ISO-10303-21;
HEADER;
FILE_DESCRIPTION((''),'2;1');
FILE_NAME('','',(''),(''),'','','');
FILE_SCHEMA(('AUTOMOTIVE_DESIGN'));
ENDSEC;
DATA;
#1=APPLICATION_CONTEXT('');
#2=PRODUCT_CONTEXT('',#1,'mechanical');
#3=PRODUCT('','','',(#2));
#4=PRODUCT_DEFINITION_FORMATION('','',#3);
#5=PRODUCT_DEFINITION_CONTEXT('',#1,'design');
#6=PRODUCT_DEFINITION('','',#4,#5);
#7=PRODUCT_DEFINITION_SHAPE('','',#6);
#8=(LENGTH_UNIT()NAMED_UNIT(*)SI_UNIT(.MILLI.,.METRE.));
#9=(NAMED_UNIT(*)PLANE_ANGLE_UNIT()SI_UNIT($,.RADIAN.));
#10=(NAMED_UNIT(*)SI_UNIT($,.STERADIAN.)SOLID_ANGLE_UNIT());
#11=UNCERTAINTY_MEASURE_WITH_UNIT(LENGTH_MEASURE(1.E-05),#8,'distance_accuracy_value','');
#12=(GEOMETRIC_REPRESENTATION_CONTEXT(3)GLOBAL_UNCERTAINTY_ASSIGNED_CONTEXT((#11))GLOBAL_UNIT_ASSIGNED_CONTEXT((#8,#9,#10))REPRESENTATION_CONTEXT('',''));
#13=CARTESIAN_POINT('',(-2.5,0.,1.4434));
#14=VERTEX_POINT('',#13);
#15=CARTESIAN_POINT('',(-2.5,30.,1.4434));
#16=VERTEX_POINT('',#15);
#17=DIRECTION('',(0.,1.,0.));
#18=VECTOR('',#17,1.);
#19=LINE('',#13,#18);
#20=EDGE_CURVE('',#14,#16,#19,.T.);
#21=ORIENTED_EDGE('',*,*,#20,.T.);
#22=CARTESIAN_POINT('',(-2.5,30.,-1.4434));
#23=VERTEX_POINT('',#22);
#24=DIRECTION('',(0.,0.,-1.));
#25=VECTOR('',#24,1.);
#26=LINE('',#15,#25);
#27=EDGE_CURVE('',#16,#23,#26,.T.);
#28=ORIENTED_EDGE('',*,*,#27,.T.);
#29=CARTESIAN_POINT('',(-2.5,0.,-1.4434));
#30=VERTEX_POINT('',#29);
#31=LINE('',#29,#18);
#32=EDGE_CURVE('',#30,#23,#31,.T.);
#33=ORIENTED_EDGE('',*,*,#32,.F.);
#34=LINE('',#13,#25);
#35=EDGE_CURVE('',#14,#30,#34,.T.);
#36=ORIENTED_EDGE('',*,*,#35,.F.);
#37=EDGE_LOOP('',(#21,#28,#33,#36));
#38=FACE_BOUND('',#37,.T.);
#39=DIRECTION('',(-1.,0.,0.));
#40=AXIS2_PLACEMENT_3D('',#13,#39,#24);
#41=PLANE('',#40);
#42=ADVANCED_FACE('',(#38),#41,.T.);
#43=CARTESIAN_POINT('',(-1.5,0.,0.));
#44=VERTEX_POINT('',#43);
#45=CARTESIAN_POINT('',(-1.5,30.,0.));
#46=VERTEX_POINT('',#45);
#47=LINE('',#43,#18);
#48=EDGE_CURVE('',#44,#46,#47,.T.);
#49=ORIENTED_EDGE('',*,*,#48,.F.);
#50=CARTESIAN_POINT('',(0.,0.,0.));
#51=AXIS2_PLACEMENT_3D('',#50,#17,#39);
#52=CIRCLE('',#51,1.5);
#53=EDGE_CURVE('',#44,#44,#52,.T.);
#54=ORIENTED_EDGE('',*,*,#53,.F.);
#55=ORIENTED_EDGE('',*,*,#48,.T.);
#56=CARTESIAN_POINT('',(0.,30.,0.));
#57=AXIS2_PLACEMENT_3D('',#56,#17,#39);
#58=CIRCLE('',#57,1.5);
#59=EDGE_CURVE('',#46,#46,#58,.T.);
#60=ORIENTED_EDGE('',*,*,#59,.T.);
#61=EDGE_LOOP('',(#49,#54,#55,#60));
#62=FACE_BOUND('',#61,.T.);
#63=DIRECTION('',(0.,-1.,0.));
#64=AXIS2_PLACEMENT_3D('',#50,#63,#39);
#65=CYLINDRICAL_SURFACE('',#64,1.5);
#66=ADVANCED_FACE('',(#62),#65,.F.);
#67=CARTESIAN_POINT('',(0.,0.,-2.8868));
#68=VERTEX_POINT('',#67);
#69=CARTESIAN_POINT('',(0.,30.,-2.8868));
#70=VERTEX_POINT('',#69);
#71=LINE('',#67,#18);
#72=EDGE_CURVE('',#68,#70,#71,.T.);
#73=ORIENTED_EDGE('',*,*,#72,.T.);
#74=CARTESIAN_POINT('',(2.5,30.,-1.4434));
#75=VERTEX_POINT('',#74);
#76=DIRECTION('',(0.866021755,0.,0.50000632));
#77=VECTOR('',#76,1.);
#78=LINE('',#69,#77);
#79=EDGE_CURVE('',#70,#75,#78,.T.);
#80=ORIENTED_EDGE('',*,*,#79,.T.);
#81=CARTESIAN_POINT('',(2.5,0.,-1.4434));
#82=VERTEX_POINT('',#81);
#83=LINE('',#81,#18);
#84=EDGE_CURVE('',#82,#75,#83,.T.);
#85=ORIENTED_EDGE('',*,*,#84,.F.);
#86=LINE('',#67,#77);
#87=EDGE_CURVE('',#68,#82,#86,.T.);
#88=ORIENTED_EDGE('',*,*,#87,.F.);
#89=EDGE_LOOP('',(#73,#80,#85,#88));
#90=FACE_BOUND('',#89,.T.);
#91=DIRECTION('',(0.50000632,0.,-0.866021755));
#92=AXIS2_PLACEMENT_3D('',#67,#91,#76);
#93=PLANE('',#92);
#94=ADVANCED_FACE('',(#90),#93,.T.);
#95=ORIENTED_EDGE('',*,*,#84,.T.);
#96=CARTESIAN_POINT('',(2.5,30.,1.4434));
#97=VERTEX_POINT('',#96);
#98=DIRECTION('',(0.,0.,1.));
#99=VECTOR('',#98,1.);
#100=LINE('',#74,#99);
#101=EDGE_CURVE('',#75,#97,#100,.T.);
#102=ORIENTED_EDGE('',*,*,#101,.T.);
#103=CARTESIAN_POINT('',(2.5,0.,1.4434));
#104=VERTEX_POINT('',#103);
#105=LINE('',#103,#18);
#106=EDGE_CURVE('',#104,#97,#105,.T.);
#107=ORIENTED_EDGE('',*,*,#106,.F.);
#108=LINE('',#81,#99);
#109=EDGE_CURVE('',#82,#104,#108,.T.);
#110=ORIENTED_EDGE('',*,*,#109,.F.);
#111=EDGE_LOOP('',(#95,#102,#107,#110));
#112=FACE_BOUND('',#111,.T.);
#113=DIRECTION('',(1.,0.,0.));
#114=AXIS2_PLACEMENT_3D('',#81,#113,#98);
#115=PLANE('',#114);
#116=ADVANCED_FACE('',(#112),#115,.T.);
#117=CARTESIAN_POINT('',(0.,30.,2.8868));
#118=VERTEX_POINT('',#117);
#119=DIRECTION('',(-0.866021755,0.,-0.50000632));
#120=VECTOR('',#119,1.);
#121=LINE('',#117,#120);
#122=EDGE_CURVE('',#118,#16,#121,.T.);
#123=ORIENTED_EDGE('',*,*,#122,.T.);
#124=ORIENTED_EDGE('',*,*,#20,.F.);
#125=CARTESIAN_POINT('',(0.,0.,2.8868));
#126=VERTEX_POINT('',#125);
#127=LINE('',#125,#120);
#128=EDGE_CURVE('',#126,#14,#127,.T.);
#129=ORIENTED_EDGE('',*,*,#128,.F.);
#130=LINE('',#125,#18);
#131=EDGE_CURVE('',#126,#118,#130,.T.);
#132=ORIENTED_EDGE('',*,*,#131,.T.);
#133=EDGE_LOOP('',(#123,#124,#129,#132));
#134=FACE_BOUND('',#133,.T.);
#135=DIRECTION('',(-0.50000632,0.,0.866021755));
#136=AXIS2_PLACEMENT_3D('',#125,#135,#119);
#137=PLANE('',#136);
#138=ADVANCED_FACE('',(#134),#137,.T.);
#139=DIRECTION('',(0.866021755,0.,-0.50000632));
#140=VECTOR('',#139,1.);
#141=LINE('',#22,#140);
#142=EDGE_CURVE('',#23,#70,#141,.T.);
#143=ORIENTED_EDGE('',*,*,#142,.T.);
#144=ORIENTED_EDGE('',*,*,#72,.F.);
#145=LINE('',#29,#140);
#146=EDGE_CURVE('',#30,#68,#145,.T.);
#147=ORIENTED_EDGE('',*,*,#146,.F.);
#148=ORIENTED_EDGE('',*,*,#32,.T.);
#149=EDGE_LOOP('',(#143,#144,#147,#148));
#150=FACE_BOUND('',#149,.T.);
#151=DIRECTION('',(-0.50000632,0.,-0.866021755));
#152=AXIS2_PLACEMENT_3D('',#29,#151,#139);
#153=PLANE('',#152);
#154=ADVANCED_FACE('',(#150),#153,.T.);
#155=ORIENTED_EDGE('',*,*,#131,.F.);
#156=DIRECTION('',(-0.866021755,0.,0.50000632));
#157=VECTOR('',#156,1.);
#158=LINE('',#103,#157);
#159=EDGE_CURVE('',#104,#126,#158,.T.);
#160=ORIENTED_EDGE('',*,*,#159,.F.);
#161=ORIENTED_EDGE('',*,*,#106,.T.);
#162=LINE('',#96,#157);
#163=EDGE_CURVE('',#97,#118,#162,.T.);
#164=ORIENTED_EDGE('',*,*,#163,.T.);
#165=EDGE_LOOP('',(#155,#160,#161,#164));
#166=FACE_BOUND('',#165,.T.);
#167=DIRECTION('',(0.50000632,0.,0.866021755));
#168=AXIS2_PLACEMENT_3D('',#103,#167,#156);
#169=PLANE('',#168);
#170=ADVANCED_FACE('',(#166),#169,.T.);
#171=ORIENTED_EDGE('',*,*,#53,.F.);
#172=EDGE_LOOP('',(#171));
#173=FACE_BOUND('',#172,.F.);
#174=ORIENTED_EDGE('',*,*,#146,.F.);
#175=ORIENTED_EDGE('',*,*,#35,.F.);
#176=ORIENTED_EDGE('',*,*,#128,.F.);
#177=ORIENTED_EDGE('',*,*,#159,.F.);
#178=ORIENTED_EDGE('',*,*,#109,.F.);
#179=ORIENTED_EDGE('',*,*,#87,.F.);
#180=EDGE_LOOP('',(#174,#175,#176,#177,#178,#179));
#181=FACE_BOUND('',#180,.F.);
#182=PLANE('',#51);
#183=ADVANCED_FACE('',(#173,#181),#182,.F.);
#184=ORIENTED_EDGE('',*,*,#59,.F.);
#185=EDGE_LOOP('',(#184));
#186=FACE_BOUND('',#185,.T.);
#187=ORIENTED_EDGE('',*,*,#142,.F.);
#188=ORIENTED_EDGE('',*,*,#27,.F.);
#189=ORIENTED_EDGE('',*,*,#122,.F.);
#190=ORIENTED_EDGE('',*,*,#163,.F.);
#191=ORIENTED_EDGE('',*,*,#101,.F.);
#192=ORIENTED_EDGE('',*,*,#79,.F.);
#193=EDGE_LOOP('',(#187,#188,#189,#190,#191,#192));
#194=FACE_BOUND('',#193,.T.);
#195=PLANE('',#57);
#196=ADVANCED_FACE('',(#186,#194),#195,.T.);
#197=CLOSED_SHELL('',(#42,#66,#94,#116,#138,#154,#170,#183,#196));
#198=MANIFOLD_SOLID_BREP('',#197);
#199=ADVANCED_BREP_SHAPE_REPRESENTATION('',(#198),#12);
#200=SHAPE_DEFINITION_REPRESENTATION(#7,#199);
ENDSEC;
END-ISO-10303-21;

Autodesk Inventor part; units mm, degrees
ref_plane "YZ Plane" through (0, 0, 0) normal (1, 0, 0) x (0, 1, 0)
ref_plane "XZ Plane" through (0, 0, 0) normal (0, 1, 0) x (-1, 0, 0)
ref_plane "XY Plane" through (0, 0, 0) normal (0, 0, 1) x (1, 0, 0)
sketch "Sketch1" plane through (0, 0, 0) normal (0, 1, 0) x (-1, 0, 0)
  line L0 (0, -2.8868) -> (-2.5, -1.4434)
  line L1 (-2.5, -1.4434) -> (-2.5, 1.4434)
  line L2 (-2.5, 1.4434) -> (0, 2.8868)
  line L3 (0, 2.8868) -> (2.5, 1.4434)
  line L4 (2.5, 1.4434) -> (2.5, -1.4434)
  line L5 (2.5, -1.4434) -> (0, -2.8868)
  circle A0 centre (0, 0) radius 1.5
  dimension "d0" = 5
  dimension "d1" = 3
extrude "Extrusion1" add sketch "Sketch1" along normal blind 30
thread "Thread1" size "M3x0.5" class "6H" standard "ISO Metric profile" length 180
properties part number "Electronics spacer"
